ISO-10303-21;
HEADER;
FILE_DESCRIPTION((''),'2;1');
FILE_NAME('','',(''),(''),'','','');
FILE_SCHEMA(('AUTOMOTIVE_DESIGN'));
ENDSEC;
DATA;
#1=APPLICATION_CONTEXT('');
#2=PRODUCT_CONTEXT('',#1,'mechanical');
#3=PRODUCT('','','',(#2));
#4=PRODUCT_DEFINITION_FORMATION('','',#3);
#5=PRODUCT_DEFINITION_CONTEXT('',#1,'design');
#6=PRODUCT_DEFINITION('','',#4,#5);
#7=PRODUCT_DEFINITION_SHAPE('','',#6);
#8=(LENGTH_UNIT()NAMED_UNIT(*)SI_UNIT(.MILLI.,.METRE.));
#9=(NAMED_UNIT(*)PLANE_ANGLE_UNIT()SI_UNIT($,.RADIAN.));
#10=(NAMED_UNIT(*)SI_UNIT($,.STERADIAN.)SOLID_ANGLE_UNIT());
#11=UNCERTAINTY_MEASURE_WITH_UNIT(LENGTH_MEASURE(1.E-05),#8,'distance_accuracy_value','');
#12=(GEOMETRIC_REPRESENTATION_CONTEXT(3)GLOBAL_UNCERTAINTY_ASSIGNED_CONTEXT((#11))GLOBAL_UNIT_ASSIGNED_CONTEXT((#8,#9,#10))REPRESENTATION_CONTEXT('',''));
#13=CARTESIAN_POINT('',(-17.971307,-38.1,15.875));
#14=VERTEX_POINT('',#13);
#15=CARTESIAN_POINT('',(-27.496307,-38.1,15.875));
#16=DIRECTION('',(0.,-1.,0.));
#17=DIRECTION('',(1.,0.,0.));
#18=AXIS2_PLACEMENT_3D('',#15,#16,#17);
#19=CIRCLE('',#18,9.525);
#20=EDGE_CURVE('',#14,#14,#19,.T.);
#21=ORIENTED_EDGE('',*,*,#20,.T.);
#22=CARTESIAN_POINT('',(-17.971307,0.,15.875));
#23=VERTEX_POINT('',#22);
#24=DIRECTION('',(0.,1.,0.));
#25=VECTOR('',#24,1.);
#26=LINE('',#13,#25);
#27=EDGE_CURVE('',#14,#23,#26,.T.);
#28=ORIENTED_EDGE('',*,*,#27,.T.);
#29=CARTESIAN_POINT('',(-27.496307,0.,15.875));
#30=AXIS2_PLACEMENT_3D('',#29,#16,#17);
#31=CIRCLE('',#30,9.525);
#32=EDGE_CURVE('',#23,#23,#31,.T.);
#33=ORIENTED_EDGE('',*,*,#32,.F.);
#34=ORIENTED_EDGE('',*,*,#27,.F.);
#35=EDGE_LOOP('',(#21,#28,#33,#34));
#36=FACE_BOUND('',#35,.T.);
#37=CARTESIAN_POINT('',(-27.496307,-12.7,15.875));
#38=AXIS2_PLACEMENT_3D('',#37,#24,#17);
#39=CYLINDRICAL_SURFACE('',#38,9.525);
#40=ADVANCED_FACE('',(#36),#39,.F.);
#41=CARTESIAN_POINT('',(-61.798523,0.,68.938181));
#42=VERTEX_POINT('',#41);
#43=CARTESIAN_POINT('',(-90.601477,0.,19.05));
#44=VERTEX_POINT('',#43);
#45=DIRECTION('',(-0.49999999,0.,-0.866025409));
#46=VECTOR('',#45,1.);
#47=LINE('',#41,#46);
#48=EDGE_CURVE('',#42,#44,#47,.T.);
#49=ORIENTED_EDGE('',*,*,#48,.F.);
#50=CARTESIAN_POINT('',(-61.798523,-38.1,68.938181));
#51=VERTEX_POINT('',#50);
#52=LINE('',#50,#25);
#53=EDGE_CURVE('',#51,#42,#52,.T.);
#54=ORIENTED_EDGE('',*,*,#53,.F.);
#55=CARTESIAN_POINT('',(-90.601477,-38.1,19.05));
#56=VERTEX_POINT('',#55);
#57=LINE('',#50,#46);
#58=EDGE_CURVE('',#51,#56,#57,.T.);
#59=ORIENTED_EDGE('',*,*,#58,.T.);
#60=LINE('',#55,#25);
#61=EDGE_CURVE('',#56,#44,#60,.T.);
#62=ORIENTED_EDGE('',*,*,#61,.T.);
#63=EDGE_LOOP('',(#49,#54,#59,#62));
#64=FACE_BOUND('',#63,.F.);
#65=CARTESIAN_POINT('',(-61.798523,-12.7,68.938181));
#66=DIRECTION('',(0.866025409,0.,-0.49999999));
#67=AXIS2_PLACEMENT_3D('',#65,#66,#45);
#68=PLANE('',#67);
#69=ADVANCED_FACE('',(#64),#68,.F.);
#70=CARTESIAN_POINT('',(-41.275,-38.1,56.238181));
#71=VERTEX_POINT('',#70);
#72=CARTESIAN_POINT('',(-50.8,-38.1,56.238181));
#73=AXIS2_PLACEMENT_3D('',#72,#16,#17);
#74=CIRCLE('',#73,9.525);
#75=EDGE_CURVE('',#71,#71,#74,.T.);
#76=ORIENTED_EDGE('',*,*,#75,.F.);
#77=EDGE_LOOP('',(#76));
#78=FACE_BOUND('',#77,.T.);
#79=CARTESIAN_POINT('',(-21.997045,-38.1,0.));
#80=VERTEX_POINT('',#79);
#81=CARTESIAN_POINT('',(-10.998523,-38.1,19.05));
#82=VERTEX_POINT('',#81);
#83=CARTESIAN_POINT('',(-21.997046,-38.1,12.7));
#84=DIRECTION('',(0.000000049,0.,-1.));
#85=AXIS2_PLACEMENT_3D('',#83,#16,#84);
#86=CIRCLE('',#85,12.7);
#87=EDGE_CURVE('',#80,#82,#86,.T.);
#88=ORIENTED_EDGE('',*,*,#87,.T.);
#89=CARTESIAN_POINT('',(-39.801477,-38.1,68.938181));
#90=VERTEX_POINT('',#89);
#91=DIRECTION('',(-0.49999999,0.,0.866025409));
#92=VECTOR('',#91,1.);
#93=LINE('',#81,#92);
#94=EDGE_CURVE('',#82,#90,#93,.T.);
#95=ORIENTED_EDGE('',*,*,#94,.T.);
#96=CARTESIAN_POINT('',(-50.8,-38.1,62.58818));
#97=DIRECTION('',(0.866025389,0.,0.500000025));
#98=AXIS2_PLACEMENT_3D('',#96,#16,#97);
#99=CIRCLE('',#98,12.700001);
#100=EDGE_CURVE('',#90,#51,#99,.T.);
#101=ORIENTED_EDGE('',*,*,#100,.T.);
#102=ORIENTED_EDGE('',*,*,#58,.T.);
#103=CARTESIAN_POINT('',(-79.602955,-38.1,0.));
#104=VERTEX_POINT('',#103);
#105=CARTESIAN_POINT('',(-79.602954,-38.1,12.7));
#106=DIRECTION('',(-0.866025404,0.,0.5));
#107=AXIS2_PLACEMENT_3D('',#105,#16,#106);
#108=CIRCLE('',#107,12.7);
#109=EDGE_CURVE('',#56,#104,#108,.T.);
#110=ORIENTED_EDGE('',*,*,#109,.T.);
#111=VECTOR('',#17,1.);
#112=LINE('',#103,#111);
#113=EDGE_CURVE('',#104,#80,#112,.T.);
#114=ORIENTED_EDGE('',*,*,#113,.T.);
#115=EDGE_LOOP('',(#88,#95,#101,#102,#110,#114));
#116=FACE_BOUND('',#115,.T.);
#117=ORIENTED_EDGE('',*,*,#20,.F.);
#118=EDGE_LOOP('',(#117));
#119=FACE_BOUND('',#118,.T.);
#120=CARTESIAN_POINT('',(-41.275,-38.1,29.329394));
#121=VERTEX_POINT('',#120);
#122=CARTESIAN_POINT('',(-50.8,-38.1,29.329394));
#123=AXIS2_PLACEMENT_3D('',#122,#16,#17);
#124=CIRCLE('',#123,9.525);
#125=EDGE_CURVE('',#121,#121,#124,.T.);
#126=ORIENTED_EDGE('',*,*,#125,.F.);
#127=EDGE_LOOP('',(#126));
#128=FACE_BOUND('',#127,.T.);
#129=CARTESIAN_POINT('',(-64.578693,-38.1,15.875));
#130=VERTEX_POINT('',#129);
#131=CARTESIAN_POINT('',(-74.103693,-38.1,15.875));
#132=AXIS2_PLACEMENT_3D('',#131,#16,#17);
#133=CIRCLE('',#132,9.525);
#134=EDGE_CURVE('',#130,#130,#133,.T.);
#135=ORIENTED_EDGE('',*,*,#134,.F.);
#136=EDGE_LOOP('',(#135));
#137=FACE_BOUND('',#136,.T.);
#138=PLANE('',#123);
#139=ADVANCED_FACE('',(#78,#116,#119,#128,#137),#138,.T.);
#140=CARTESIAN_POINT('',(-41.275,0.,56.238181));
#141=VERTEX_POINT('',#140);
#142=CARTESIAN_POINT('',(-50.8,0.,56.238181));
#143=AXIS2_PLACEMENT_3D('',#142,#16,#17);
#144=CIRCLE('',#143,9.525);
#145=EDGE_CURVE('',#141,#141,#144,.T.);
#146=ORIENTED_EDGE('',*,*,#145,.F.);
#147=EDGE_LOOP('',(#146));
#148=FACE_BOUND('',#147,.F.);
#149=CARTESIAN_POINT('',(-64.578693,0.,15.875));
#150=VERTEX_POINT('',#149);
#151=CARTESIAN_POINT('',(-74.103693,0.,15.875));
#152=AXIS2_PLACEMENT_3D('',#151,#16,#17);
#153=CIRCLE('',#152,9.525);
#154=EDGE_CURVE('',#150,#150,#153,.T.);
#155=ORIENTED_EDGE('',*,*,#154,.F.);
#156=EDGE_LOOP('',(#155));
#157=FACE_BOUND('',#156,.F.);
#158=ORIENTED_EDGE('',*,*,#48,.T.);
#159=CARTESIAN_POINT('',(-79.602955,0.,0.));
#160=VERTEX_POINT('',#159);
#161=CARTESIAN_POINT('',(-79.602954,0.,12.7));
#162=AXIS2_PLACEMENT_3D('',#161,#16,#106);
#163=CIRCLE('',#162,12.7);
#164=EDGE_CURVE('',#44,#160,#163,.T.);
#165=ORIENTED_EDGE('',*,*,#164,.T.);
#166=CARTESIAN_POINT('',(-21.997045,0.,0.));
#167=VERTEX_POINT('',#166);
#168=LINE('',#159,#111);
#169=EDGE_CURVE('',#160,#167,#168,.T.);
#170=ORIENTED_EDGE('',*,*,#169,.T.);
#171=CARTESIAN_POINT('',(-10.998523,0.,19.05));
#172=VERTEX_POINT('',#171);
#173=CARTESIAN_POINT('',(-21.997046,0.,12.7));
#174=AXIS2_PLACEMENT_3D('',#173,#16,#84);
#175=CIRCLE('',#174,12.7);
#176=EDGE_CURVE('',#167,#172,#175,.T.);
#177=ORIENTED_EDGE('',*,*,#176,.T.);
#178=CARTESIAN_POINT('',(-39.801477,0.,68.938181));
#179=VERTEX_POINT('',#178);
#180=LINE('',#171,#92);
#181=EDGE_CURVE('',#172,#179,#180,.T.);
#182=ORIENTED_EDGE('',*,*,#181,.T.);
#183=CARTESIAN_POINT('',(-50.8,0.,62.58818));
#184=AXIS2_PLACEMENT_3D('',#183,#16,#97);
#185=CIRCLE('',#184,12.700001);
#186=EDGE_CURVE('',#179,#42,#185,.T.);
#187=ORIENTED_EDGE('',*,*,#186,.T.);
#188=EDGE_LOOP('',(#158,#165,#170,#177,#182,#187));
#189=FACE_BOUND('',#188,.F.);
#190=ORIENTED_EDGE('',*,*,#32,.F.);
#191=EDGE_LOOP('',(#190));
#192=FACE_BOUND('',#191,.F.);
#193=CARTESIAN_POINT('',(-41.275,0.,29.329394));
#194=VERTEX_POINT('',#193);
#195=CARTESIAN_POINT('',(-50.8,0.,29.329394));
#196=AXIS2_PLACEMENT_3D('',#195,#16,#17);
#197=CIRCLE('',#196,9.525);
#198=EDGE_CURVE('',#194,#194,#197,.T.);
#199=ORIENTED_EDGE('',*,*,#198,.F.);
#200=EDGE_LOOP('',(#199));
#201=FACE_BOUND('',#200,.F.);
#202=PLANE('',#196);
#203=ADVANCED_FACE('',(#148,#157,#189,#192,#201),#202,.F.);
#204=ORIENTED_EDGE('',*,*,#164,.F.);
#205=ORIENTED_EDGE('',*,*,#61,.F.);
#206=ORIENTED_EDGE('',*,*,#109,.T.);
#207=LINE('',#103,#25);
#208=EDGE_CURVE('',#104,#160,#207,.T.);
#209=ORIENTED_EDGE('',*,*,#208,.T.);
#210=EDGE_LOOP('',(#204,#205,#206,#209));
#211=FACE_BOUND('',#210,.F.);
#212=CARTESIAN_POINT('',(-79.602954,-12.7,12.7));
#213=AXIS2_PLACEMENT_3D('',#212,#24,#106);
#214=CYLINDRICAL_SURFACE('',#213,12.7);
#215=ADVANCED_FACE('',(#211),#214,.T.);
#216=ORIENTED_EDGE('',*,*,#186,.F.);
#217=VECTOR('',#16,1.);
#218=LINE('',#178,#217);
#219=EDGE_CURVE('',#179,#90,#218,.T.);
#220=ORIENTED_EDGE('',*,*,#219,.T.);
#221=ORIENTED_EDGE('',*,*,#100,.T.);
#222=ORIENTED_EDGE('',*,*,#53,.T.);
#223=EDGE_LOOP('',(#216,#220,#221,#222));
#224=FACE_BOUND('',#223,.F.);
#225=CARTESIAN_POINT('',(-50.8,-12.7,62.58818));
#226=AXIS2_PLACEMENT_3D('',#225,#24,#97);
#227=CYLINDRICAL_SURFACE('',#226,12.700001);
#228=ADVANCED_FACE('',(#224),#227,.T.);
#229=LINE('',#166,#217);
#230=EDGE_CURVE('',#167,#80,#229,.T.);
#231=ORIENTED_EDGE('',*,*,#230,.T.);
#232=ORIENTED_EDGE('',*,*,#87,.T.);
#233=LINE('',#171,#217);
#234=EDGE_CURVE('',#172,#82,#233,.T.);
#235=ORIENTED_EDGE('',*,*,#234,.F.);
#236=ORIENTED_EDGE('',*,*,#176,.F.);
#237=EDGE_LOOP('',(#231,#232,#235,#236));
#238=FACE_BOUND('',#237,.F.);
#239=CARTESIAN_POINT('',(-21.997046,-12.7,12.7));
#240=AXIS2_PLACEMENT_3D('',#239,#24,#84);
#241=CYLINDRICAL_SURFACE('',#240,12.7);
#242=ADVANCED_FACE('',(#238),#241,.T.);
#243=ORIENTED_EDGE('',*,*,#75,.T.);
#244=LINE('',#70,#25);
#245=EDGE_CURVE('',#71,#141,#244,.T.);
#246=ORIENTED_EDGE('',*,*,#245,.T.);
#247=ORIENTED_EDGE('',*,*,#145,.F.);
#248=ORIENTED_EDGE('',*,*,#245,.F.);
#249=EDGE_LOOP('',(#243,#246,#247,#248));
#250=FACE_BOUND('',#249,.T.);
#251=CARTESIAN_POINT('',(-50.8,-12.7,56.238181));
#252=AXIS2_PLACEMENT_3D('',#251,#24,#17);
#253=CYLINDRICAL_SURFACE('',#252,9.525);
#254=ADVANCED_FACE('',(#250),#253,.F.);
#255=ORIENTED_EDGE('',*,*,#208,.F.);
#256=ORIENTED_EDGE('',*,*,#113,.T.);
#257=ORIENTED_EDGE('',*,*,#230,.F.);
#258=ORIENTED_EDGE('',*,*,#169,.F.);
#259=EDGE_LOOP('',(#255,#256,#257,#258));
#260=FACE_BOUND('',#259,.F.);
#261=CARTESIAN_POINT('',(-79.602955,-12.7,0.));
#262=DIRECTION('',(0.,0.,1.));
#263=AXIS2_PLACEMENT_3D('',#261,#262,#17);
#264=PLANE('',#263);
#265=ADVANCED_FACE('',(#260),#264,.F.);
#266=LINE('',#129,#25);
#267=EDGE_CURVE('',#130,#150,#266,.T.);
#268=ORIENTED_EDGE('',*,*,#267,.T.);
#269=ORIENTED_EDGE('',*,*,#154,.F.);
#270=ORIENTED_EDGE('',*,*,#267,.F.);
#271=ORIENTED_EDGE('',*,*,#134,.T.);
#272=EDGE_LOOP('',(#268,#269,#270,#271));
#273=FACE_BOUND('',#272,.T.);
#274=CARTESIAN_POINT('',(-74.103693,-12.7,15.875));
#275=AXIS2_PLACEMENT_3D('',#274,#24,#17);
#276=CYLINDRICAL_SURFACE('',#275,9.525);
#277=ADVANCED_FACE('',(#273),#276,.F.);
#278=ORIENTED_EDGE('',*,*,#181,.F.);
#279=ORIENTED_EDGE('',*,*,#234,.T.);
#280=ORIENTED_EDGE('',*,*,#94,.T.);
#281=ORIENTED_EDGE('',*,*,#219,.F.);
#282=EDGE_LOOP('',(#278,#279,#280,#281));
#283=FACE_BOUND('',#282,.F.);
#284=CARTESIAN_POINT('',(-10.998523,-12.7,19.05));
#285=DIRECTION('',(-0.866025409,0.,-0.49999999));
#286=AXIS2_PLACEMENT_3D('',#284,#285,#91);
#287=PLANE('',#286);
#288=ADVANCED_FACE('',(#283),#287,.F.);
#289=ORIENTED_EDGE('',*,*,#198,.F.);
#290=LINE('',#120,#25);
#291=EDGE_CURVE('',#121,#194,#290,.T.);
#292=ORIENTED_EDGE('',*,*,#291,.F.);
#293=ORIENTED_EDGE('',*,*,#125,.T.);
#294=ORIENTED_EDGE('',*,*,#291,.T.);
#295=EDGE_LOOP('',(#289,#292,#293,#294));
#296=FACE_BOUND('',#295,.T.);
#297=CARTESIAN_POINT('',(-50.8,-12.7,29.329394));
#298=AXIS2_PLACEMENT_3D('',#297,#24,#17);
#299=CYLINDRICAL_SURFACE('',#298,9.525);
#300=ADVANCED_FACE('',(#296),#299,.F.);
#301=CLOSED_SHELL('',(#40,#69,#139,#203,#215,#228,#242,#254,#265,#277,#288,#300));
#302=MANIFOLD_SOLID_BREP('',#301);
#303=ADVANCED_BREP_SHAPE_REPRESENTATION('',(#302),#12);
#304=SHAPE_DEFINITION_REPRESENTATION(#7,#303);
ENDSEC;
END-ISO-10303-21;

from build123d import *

# Parameters (mm, degrees)
F0_R      = 9.525
F1_DEPTH  = 12.7
F1_FACE_R = 9.525
F2_DEPTH  = 25.4


with BuildPart() as f1:
    # F0 (on Front) → F1 (new body)
    with BuildSketch(Plane.XZ):
        with BuildLine():
            Line((-79.602955, 0), (-21.997045, 0))
            ThreePointArc((-21.997045, 0), (-10.998523, 6.35), (-10.998523, 19.05))
            Line((-10.998523, 19.05), (-39.801477, 68.938181))
            ThreePointArc((-39.801477, 68.938181), (-50.8, 75.288181), (-61.798523, 68.938181))
            Line((-61.798523, 68.938181), (-90.601477, 19.05))
            ThreePointArc((-90.601477, 19.05), (-90.601477, 6.35), (-79.602955, 0))
        make_face()
        with Locations((-74.103693, 15.875)):
            Circle(F0_R, mode=Mode.SUBTRACT)
        with Locations((-27.496307, 15.875)):
            Circle(F0_R, mode=Mode.SUBTRACT)
        with Locations((-50.8, 29.329394)):
            Circle(F0_R, mode=Mode.SUBTRACT)
        with Locations((-50.8, 56.238181)):
            Circle(F0_R, mode=Mode.SUBTRACT)
    extrude(amount=F1_DEPTH)

    # F1_face (on face) → F2 (join)
    with BuildSketch(Plane(origin=(-50.8, -12.7, 29.329394), x_dir=(1, 0, 0), z_dir=(0, -1, 0))):
        with BuildLine():
            Line((-28.802955, -29.329394), (28.802955, -29.329394))
            ThreePointArc((28.802955, -29.329394), (39.801477, -22.979394), (39.801477, -10.279394))
            Line((39.801477, -10.279394), (10.998523, 39.608787))
            ThreePointArc((10.998523, 39.608787), (0, 45.958787), (-10.998523, 39.608787))
            Line((-10.998523, 39.608787), (-39.801477, -10.279394))
            ThreePointArc((-39.801477, -10.279394), (-39.801477, -22.979394), (-28.802955, -29.329394))
        make_face()
        with Locations((-23.303693, -13.454394)):
            Circle(F1_FACE_R, mode=Mode.SUBTRACT)
        with Locations((23.303693, -13.454394)):
            Circle(F1_FACE_R, mode=Mode.SUBTRACT)
        Circle(F1_FACE_R, mode=Mode.SUBTRACT)
        with Locations((0, 26.908787)):
            Circle(F1_FACE_R, mode=Mode.SUBTRACT)
    extrude(amount=F2_DEPTH)


solid = f1.part
